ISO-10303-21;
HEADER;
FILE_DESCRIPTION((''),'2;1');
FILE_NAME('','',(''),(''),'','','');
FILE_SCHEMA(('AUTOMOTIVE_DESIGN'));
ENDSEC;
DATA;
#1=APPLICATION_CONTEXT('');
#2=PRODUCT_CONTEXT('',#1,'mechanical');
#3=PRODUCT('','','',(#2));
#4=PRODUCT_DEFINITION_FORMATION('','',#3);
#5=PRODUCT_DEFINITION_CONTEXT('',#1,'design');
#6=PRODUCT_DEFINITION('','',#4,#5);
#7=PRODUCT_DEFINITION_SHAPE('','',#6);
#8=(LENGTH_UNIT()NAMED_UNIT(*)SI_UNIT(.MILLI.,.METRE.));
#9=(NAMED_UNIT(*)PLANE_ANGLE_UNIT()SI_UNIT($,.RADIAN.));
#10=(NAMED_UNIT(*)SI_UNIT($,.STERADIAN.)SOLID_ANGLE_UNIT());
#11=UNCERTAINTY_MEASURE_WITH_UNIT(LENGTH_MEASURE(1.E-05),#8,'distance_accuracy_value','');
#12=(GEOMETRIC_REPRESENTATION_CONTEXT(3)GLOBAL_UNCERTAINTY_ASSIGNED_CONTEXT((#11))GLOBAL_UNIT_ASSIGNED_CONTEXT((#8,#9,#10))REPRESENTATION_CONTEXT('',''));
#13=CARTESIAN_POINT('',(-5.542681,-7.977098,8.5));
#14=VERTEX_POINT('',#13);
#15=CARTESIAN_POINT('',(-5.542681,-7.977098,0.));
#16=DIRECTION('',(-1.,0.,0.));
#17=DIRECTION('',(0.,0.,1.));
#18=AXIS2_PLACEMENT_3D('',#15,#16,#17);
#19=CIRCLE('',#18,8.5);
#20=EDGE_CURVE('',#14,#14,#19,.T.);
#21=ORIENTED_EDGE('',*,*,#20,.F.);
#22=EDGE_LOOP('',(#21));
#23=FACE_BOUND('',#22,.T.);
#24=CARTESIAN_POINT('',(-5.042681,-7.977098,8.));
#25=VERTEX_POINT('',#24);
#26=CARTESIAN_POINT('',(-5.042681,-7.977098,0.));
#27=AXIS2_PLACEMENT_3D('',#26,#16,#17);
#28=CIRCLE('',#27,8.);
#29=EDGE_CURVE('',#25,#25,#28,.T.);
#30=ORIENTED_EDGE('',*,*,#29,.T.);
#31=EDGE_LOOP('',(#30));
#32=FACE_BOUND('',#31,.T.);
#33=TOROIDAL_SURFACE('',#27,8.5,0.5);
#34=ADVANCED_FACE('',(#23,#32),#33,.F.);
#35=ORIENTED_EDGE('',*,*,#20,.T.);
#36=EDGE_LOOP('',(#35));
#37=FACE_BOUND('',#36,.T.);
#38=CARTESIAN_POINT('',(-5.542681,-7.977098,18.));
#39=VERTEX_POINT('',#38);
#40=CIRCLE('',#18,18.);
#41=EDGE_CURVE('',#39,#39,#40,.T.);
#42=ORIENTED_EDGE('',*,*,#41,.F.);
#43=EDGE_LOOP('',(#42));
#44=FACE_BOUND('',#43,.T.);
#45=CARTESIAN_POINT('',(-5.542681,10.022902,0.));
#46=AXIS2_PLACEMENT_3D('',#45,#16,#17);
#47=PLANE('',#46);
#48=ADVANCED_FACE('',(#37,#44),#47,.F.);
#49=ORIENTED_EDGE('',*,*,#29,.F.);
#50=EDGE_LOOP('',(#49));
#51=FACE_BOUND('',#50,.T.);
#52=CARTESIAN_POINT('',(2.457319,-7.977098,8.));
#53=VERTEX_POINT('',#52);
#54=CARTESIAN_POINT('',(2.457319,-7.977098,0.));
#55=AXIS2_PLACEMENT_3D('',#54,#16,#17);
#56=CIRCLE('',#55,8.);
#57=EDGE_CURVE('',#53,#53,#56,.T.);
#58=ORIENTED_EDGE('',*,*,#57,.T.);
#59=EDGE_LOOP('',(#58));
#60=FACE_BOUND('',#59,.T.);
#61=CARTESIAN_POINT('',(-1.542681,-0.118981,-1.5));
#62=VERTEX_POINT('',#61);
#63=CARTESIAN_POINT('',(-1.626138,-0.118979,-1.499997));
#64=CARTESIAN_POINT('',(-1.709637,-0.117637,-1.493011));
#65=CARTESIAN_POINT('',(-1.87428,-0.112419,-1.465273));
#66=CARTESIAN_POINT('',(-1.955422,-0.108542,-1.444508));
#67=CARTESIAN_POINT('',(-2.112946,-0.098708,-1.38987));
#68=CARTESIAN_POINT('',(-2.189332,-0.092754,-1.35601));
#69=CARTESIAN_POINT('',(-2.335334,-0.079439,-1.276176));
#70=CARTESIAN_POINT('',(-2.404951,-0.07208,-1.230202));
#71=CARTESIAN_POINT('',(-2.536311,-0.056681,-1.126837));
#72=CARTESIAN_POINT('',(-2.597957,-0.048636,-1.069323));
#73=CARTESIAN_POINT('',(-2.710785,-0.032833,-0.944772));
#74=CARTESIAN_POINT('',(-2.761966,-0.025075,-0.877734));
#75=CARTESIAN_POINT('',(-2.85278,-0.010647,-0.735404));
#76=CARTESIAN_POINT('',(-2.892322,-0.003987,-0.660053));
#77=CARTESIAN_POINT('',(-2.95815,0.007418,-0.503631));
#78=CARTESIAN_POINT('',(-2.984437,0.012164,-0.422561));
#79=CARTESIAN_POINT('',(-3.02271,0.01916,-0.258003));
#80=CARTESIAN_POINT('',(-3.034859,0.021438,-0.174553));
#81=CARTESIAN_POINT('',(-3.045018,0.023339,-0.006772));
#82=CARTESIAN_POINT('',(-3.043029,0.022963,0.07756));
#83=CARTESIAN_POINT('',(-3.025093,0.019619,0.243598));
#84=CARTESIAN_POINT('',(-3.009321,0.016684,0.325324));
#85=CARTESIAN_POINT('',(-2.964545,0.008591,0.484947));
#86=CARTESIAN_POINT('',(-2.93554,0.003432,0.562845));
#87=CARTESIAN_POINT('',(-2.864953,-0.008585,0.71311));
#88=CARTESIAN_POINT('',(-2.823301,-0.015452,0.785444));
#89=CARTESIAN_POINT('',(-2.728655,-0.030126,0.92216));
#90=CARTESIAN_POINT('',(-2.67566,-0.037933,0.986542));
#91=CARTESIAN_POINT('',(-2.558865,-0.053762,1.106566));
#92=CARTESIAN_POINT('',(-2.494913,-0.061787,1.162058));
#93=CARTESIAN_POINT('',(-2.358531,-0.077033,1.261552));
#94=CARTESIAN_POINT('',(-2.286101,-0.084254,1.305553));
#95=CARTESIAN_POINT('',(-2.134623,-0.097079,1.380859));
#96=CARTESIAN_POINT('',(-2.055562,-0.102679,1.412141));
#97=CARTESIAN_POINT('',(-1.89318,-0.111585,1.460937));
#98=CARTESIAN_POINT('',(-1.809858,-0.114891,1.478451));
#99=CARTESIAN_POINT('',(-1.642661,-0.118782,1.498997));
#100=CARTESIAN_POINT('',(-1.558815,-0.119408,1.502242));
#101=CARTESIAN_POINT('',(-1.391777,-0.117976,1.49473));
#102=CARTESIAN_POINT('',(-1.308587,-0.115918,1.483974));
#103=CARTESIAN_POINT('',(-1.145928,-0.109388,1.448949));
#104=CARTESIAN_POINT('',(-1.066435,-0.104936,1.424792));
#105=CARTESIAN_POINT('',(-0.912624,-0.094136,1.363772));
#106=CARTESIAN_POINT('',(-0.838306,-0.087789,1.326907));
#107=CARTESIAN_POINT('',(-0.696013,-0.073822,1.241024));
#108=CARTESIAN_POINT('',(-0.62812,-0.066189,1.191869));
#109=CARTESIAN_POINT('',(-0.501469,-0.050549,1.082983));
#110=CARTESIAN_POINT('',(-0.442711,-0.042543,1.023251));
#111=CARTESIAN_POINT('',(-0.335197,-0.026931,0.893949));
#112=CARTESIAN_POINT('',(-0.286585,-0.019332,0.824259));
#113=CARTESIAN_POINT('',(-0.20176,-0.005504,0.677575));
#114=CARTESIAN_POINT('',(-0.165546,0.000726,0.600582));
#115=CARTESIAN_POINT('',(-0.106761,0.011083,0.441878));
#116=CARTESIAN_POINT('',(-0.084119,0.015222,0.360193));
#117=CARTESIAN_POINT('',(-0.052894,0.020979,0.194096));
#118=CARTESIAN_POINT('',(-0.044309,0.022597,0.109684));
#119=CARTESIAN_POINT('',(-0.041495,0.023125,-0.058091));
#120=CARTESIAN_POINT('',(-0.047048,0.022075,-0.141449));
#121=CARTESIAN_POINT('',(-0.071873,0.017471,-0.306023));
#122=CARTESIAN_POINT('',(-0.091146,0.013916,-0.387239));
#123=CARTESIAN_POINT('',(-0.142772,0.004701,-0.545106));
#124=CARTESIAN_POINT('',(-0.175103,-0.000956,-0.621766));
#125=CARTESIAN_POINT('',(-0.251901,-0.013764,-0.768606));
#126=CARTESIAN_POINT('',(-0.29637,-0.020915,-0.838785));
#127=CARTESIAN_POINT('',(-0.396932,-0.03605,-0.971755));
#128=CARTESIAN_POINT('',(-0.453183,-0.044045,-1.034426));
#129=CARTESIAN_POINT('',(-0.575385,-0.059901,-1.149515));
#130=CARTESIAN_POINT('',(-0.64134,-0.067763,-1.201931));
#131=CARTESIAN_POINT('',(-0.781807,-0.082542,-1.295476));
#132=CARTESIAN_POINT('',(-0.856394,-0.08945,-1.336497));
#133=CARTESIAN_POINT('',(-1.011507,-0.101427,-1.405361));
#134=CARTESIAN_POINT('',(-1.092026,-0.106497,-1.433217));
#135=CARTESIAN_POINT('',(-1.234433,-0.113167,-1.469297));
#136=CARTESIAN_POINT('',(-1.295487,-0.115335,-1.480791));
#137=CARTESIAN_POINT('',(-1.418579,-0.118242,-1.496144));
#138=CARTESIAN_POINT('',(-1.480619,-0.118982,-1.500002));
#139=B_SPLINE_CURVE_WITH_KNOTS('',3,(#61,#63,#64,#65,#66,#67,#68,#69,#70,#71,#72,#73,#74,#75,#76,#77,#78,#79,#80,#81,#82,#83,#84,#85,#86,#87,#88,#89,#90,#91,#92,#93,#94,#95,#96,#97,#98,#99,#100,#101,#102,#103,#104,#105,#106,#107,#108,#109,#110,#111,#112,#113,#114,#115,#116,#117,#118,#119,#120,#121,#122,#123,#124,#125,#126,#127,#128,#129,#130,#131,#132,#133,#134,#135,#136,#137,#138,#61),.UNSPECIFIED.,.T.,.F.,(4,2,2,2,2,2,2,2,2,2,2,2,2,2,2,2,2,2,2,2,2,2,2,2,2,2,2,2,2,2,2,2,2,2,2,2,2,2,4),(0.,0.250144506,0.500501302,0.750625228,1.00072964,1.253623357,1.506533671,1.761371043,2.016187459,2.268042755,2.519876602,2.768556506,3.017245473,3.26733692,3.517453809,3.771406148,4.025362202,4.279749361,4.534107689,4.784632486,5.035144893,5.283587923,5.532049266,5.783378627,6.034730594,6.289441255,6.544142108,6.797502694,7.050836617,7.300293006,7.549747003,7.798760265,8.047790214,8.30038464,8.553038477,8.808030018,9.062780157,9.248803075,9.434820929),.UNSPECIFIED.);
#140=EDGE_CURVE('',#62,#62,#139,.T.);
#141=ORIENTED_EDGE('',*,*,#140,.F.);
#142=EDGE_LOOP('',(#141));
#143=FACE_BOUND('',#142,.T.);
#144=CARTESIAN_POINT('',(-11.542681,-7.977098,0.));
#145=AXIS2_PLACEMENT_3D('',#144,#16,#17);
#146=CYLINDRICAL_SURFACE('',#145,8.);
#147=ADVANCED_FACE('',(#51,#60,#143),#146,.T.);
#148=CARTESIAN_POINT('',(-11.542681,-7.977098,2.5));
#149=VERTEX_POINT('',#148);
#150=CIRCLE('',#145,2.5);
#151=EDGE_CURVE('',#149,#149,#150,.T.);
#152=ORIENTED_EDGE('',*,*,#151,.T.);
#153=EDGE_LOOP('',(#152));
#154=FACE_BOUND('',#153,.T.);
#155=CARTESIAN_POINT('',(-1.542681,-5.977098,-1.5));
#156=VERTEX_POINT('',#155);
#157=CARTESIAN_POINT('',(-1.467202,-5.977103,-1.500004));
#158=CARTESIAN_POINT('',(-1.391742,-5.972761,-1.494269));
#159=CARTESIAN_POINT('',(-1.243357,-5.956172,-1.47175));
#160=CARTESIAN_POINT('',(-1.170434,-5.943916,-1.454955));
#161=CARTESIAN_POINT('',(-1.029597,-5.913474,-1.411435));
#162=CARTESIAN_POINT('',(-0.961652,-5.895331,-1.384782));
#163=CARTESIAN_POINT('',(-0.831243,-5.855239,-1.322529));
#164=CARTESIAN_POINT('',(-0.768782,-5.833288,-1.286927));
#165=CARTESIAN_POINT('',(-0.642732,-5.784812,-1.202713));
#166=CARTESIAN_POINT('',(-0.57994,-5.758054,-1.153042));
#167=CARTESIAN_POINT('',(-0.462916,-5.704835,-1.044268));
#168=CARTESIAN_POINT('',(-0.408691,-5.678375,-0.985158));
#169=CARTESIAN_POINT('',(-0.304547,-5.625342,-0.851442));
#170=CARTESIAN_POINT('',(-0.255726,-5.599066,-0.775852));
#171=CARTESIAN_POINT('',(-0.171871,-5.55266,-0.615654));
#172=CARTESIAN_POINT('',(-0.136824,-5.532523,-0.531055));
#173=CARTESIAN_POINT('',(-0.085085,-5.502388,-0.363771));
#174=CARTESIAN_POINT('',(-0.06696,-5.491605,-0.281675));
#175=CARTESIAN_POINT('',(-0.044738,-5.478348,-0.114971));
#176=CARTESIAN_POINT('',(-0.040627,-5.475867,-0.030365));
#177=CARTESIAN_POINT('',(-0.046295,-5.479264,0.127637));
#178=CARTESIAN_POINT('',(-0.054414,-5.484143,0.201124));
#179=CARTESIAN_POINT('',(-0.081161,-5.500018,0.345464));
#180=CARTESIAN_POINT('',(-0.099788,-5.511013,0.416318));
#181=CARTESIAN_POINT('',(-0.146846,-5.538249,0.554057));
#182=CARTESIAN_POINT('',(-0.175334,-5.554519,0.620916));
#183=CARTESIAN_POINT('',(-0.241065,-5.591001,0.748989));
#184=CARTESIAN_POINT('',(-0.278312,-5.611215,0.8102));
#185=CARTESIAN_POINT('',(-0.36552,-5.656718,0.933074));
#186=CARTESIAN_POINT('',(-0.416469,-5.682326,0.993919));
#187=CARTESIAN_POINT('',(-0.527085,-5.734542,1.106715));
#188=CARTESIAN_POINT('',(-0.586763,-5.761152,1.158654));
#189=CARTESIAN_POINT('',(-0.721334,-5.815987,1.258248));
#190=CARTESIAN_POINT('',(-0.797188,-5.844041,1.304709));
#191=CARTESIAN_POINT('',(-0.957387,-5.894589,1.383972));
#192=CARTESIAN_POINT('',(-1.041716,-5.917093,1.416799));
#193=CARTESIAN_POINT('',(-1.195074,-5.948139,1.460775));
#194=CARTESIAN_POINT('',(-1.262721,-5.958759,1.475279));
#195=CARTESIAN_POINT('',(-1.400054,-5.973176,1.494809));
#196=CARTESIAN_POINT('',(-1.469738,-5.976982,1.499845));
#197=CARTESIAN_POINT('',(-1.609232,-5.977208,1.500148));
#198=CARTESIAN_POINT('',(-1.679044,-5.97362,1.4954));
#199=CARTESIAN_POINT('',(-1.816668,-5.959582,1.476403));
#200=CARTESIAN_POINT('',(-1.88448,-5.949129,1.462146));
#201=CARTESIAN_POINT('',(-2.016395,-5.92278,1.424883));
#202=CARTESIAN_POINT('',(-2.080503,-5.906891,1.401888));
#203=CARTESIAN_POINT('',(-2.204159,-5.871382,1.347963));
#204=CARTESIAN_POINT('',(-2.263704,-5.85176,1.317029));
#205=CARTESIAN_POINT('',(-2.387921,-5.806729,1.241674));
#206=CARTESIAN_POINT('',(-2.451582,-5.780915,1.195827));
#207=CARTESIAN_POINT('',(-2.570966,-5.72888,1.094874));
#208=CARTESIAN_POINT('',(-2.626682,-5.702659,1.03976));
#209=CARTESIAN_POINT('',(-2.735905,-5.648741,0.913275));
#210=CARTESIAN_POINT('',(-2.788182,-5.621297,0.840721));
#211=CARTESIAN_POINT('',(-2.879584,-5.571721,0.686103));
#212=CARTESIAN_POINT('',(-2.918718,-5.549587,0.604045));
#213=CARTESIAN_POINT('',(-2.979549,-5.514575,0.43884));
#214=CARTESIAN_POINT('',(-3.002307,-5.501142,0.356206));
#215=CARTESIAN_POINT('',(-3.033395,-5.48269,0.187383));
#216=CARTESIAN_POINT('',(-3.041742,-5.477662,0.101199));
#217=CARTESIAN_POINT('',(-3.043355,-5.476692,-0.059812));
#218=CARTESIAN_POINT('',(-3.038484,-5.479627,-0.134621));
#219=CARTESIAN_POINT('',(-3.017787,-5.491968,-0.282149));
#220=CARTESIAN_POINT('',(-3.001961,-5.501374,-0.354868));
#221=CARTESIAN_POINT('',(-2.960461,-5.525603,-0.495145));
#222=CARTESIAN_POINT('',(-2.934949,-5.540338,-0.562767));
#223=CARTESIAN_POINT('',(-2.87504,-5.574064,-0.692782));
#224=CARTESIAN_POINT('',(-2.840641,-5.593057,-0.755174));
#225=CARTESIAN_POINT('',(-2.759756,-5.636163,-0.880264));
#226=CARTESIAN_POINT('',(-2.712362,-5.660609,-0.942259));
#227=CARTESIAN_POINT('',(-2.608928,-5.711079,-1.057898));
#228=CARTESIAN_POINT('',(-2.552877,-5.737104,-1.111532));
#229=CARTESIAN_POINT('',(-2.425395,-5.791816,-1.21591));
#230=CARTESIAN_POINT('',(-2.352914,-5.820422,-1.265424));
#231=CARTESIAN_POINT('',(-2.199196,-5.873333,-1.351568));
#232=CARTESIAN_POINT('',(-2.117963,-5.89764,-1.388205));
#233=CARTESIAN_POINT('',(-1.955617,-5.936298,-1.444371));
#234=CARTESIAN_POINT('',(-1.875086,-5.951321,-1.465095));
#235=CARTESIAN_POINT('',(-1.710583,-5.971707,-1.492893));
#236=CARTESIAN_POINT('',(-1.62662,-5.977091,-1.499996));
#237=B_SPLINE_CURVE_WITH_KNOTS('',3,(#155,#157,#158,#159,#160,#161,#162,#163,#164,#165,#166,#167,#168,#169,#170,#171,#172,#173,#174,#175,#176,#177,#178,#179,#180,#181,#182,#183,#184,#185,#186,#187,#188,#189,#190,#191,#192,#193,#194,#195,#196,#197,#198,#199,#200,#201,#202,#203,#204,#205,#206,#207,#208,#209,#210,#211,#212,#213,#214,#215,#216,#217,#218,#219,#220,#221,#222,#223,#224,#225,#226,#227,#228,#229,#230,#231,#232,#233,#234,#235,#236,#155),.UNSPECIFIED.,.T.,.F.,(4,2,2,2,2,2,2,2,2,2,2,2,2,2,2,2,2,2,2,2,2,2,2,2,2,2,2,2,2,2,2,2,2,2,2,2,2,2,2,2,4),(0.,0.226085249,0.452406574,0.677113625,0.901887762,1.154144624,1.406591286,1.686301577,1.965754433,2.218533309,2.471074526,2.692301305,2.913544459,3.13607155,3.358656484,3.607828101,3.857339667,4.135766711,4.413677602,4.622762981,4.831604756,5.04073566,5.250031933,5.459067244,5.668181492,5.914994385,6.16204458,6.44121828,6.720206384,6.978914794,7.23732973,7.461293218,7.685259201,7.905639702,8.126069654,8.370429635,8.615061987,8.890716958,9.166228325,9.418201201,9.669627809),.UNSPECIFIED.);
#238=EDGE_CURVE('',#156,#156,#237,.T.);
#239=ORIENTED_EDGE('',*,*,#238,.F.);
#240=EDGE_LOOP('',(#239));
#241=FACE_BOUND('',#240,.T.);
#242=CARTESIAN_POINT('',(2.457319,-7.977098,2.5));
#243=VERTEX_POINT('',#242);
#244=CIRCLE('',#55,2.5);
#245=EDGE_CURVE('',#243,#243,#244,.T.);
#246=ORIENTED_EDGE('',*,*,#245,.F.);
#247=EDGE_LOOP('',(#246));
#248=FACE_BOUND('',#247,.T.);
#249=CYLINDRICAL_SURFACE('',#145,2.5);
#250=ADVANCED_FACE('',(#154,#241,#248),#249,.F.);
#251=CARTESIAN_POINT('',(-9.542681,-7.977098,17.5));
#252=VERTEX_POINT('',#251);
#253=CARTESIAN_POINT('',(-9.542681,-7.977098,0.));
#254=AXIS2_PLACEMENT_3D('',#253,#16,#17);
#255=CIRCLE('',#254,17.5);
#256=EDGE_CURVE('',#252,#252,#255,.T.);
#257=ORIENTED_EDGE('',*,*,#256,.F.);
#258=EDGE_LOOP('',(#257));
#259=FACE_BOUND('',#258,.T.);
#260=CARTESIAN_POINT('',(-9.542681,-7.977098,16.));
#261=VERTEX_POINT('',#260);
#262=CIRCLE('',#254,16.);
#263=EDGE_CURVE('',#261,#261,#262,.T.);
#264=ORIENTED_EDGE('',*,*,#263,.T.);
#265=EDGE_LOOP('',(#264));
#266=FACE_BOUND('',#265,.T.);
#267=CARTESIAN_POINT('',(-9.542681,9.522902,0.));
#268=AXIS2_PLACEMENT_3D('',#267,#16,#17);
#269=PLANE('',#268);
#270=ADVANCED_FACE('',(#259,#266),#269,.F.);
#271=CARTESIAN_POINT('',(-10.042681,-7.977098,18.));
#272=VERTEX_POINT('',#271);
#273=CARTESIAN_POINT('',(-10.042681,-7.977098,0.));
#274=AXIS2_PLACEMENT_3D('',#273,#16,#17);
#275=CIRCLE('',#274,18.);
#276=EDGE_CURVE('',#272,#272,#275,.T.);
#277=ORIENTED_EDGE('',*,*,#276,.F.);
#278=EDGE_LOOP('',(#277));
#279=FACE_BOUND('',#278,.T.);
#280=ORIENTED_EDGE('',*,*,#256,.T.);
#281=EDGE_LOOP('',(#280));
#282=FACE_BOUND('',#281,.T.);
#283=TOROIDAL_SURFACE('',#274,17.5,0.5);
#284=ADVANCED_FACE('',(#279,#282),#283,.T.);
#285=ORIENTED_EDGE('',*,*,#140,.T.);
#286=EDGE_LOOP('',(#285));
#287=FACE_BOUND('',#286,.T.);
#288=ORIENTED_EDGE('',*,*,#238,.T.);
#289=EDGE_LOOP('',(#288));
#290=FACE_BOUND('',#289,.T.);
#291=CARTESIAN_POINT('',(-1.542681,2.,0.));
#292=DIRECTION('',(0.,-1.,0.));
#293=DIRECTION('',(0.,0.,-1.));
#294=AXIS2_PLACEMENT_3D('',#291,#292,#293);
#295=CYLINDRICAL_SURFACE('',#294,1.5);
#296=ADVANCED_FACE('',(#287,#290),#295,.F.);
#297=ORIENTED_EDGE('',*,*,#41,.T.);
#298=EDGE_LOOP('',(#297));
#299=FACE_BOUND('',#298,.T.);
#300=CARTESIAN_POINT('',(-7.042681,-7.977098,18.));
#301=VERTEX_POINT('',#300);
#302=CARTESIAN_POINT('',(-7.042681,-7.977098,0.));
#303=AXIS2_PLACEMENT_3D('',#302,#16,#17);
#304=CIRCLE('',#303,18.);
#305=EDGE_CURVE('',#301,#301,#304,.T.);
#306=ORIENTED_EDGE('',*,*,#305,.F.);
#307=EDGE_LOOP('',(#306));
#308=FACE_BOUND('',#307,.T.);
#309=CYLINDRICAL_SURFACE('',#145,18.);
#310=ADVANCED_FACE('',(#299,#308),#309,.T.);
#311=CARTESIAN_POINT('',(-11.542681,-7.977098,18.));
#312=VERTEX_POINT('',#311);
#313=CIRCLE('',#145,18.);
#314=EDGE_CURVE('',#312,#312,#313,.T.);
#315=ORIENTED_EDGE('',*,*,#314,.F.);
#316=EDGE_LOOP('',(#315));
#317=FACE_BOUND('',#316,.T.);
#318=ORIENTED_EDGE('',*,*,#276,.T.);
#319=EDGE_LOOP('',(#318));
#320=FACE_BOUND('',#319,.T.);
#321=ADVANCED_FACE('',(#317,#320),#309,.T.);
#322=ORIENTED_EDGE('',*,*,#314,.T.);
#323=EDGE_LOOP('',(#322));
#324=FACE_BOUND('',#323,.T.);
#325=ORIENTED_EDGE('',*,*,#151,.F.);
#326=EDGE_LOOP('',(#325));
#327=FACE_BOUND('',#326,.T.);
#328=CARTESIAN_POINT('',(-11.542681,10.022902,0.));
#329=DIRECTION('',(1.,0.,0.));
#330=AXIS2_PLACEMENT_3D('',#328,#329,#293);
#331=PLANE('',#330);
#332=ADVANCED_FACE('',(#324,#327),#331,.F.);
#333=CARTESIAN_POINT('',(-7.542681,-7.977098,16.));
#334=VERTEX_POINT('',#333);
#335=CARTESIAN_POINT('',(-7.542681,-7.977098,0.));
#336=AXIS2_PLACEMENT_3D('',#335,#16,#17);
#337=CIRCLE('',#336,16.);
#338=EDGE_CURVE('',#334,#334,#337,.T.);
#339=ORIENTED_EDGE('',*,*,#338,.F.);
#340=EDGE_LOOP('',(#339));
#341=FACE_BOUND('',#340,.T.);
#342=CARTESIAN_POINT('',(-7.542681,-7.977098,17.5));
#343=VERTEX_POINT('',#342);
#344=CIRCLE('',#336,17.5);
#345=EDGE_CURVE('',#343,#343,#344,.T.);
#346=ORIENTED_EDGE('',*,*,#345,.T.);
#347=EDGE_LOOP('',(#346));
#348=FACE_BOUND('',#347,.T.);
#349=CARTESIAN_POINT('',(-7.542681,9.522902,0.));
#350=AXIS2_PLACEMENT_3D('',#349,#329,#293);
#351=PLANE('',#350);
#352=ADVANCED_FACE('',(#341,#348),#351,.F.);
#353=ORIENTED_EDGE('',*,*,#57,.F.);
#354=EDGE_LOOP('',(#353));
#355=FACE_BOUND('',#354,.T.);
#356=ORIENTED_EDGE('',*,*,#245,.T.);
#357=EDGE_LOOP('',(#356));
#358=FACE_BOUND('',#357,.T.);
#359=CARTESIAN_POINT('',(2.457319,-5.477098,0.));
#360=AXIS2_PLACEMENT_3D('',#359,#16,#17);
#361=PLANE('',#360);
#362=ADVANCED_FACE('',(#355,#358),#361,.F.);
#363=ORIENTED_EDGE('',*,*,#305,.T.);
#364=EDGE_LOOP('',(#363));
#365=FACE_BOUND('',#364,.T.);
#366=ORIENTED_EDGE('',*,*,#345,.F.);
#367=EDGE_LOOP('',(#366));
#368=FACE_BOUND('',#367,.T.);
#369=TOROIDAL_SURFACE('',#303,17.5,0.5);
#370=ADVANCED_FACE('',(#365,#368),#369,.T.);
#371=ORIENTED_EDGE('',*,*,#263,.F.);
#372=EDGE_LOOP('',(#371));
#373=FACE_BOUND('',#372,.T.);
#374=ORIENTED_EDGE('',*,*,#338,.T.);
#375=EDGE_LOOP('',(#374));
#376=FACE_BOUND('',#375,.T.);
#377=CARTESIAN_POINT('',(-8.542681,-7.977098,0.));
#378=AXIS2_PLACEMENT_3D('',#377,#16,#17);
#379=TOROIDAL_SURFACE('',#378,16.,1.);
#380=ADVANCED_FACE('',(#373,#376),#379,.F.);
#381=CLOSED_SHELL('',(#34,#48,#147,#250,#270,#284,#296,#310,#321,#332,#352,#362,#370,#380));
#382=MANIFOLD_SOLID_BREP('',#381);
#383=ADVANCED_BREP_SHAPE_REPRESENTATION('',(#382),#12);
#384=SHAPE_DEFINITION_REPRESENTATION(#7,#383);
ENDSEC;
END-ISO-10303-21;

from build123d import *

# Parameters (mm, degrees)
CUT_EXTRUDE3_DEPTH      = 2
CUT_EXTRUDE3_DEPTH_BACK = 8
SKETCH7_R               = 1.5


with BuildPart() as part:
    # Sketch1 → Revolve1 (revolve)
    with BuildSketch(Plane.XY, mode=Mode.PRIVATE) as revolve1_sk:
        with BuildLine():
            Line((-11.54268079, 10.022902393), (-10.04268079, 10.022902393))
            ThreePointArc((-10.04268079, 10.022902393), (-9.689127399, 9.876455783), (-9.54268079, 9.522902393))
            Line((-9.54268079, 9.522902393), (-9.54268079, 8.022902453))
            ThreePointArc((-9.54268079, 8.022902453), (-8.54268079, 7.022902453), (-7.54268079, 8.022902453))
            Line((-7.54268079, 8.022902453), (-7.54268079, 9.522902393))
            ThreePointArc((-7.54268079, 9.522902393), (-7.396234181, 9.876455783), (-7.04268079, 10.022902393))
            Line((-7.04268079, 10.022902393), (-5.54268079, 10.022902393))
            Line((-5.54268079, 10.022902393), (-5.54268079, 0.522902393))
            ThreePointArc((-5.54268079, 0.522902393), (-5.396234181, 0.169349002), (-5.04268079, 0.022902393))
            Line((-5.04268079, 0.022902393), (2.45731921, 0.022902393))
            Line((2.45731921, 0.022902393), (2.45731921, -5.477097607))
            Line((2.45731921, -5.477097607), (-11.54268079, -5.477097607))
            Line((-11.54268079, -5.477097607), (-11.54268079, 10.022902393))
        make_face()
    revolve(revolve1_sk.sketch.rotate(Axis((-11.54268079, -7.977097607, 0), (1, 0, 0)), 90), axis=Axis((-11.54268079, -7.977097607, 0), (1, 0, 0)))

    # Sketch7 → Cut-Extrude3 (cut, two sides: drawn at the far end of the back side and taken through both)
    with BuildSketch(Plane(origin=(0, 0, 0), x_dir=(1, 0, 0), z_dir=(0, 1, 0)).offset(-CUT_EXTRUDE3_DEPTH_BACK)):
        with Locations(Location((-1.54268079, 0, 0), (0, 0, 90))):
            Circle(SKETCH7_R)
    extrude(amount=CUT_EXTRUDE3_DEPTH + CUT_EXTRUDE3_DEPTH_BACK, mode=Mode.SUBTRACT)


solid = part.part
